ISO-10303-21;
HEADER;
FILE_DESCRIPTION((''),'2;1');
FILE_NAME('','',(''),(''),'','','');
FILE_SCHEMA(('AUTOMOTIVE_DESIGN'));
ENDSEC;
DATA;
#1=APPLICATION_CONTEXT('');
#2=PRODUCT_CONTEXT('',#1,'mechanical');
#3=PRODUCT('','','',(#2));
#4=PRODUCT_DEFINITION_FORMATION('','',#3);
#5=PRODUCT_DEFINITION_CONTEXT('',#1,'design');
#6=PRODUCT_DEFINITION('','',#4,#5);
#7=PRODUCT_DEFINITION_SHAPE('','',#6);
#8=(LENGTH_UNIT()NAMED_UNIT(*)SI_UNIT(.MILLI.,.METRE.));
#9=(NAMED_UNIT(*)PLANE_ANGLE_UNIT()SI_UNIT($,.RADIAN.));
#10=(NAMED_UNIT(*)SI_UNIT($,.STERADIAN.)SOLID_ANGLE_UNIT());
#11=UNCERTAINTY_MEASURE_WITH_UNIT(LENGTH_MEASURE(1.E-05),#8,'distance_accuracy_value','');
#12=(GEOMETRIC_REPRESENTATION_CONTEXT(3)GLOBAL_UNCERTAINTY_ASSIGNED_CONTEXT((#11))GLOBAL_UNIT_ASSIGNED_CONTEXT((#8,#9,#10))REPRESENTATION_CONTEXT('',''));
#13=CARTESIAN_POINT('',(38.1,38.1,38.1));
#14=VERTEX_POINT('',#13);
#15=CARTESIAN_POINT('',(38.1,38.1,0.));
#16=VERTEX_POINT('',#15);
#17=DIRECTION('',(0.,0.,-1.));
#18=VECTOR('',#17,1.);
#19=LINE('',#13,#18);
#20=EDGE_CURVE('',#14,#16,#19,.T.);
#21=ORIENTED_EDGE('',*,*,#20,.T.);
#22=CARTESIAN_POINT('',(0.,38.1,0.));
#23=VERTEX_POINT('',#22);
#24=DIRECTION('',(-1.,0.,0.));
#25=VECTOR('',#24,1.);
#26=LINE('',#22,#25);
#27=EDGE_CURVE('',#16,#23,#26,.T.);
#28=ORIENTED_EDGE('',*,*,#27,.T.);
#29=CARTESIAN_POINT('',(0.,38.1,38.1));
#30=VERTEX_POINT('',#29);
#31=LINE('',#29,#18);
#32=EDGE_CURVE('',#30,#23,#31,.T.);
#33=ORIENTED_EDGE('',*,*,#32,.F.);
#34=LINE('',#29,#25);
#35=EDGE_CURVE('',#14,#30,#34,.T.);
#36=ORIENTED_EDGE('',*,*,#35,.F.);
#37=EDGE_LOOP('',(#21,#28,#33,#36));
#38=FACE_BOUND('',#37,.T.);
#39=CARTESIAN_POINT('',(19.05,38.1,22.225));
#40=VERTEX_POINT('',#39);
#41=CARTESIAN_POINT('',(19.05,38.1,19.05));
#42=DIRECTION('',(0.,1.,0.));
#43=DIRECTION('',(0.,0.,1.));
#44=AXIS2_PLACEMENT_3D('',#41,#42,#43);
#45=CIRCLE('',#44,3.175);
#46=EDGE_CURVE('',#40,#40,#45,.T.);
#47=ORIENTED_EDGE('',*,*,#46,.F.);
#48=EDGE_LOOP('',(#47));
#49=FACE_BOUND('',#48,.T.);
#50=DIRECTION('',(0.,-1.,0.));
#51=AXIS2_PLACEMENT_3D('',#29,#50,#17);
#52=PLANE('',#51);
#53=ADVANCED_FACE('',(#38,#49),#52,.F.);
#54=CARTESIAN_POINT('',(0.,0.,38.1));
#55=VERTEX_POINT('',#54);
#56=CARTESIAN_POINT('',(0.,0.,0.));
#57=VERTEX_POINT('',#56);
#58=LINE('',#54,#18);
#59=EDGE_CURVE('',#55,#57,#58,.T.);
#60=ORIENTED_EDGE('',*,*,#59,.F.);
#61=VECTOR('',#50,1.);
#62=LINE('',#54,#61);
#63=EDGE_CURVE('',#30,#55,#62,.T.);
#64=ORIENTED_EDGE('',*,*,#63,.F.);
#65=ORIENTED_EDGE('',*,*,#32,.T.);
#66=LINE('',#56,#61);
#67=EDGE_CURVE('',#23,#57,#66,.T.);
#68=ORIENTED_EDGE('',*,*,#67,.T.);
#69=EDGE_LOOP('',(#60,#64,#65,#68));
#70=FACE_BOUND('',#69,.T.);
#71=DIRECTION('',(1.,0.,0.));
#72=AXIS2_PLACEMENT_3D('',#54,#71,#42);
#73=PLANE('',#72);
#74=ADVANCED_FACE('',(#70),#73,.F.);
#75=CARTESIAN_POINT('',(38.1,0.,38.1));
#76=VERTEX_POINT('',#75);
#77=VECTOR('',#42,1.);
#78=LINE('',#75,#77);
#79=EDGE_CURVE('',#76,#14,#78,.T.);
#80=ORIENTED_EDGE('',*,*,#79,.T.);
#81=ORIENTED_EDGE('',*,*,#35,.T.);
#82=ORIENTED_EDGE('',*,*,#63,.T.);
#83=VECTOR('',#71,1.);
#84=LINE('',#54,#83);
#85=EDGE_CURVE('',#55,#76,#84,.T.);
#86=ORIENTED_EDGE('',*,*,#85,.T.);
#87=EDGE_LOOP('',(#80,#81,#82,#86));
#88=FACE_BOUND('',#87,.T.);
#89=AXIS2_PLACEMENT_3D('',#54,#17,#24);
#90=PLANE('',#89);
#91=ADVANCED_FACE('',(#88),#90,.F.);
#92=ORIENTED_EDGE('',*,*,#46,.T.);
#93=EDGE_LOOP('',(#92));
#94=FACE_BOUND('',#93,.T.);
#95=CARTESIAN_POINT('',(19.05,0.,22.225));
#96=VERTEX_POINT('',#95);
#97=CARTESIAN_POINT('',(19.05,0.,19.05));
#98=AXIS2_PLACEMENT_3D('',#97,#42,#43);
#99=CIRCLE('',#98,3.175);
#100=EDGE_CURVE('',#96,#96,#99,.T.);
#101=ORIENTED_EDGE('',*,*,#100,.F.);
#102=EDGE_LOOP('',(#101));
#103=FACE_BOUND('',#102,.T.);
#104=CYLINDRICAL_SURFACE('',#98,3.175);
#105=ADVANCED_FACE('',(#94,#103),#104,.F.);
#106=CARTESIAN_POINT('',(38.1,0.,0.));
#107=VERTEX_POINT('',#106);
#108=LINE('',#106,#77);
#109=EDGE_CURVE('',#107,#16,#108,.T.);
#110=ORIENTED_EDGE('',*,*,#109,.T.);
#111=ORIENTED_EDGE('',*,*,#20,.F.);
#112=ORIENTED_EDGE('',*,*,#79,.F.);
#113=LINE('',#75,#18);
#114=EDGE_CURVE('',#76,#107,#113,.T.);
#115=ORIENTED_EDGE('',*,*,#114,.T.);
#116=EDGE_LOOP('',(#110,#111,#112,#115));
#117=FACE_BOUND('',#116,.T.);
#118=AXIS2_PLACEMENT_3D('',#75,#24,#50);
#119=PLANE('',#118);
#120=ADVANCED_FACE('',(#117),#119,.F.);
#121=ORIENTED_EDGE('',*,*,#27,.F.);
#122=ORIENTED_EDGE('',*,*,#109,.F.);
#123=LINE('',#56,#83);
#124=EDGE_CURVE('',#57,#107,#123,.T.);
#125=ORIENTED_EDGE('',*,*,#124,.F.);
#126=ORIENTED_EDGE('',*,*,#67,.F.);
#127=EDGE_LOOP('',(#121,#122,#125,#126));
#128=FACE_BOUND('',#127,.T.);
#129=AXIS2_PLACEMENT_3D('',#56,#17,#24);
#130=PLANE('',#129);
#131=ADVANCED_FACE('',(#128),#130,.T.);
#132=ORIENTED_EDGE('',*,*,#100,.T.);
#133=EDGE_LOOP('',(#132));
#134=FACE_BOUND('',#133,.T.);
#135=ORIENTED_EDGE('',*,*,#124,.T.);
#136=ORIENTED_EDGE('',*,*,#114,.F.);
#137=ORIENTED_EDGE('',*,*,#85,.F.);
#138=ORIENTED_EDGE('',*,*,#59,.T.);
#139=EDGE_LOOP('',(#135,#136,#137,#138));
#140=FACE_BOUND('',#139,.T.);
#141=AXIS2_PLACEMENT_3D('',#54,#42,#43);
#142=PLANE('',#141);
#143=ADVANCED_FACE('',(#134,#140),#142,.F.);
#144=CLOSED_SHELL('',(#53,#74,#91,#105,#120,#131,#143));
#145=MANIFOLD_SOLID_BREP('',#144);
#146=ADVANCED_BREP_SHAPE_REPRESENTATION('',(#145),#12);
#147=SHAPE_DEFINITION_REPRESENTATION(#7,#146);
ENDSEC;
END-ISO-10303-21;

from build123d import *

# Parameters (mm, degrees)
SKETCH1_W           = 38.1
SKETCH1_H           = 38.1
BOSS_EXTRUDE1_DEPTH = 38.1
SKETCH2_R           = 3.175
CUT_EXTRUDE1_DEPTH  = 39.1


with BuildPart() as part:
    # Sketch1 → Boss-Extrude1 (new body)
    with BuildSketch(Plane.XY):
        with Locations((19.05, 19.05)):
            Rectangle(SKETCH1_W, SKETCH1_H)
    extrude(amount=BOSS_EXTRUDE1_DEPTH)

    # Sketch2 → Cut-Extrude1 (cut, through all)
    with BuildSketch(Plane(origin=(0, 38.1, 0), x_dir=(1, 0, 0), z_dir=(0, 1, 0))):
        with Locations((19.05, -19.05)):
            Circle(SKETCH2_R)
    extrude(amount=-CUT_EXTRUDE1_DEPTH, mode=Mode.SUBTRACT)


solid = part.part
